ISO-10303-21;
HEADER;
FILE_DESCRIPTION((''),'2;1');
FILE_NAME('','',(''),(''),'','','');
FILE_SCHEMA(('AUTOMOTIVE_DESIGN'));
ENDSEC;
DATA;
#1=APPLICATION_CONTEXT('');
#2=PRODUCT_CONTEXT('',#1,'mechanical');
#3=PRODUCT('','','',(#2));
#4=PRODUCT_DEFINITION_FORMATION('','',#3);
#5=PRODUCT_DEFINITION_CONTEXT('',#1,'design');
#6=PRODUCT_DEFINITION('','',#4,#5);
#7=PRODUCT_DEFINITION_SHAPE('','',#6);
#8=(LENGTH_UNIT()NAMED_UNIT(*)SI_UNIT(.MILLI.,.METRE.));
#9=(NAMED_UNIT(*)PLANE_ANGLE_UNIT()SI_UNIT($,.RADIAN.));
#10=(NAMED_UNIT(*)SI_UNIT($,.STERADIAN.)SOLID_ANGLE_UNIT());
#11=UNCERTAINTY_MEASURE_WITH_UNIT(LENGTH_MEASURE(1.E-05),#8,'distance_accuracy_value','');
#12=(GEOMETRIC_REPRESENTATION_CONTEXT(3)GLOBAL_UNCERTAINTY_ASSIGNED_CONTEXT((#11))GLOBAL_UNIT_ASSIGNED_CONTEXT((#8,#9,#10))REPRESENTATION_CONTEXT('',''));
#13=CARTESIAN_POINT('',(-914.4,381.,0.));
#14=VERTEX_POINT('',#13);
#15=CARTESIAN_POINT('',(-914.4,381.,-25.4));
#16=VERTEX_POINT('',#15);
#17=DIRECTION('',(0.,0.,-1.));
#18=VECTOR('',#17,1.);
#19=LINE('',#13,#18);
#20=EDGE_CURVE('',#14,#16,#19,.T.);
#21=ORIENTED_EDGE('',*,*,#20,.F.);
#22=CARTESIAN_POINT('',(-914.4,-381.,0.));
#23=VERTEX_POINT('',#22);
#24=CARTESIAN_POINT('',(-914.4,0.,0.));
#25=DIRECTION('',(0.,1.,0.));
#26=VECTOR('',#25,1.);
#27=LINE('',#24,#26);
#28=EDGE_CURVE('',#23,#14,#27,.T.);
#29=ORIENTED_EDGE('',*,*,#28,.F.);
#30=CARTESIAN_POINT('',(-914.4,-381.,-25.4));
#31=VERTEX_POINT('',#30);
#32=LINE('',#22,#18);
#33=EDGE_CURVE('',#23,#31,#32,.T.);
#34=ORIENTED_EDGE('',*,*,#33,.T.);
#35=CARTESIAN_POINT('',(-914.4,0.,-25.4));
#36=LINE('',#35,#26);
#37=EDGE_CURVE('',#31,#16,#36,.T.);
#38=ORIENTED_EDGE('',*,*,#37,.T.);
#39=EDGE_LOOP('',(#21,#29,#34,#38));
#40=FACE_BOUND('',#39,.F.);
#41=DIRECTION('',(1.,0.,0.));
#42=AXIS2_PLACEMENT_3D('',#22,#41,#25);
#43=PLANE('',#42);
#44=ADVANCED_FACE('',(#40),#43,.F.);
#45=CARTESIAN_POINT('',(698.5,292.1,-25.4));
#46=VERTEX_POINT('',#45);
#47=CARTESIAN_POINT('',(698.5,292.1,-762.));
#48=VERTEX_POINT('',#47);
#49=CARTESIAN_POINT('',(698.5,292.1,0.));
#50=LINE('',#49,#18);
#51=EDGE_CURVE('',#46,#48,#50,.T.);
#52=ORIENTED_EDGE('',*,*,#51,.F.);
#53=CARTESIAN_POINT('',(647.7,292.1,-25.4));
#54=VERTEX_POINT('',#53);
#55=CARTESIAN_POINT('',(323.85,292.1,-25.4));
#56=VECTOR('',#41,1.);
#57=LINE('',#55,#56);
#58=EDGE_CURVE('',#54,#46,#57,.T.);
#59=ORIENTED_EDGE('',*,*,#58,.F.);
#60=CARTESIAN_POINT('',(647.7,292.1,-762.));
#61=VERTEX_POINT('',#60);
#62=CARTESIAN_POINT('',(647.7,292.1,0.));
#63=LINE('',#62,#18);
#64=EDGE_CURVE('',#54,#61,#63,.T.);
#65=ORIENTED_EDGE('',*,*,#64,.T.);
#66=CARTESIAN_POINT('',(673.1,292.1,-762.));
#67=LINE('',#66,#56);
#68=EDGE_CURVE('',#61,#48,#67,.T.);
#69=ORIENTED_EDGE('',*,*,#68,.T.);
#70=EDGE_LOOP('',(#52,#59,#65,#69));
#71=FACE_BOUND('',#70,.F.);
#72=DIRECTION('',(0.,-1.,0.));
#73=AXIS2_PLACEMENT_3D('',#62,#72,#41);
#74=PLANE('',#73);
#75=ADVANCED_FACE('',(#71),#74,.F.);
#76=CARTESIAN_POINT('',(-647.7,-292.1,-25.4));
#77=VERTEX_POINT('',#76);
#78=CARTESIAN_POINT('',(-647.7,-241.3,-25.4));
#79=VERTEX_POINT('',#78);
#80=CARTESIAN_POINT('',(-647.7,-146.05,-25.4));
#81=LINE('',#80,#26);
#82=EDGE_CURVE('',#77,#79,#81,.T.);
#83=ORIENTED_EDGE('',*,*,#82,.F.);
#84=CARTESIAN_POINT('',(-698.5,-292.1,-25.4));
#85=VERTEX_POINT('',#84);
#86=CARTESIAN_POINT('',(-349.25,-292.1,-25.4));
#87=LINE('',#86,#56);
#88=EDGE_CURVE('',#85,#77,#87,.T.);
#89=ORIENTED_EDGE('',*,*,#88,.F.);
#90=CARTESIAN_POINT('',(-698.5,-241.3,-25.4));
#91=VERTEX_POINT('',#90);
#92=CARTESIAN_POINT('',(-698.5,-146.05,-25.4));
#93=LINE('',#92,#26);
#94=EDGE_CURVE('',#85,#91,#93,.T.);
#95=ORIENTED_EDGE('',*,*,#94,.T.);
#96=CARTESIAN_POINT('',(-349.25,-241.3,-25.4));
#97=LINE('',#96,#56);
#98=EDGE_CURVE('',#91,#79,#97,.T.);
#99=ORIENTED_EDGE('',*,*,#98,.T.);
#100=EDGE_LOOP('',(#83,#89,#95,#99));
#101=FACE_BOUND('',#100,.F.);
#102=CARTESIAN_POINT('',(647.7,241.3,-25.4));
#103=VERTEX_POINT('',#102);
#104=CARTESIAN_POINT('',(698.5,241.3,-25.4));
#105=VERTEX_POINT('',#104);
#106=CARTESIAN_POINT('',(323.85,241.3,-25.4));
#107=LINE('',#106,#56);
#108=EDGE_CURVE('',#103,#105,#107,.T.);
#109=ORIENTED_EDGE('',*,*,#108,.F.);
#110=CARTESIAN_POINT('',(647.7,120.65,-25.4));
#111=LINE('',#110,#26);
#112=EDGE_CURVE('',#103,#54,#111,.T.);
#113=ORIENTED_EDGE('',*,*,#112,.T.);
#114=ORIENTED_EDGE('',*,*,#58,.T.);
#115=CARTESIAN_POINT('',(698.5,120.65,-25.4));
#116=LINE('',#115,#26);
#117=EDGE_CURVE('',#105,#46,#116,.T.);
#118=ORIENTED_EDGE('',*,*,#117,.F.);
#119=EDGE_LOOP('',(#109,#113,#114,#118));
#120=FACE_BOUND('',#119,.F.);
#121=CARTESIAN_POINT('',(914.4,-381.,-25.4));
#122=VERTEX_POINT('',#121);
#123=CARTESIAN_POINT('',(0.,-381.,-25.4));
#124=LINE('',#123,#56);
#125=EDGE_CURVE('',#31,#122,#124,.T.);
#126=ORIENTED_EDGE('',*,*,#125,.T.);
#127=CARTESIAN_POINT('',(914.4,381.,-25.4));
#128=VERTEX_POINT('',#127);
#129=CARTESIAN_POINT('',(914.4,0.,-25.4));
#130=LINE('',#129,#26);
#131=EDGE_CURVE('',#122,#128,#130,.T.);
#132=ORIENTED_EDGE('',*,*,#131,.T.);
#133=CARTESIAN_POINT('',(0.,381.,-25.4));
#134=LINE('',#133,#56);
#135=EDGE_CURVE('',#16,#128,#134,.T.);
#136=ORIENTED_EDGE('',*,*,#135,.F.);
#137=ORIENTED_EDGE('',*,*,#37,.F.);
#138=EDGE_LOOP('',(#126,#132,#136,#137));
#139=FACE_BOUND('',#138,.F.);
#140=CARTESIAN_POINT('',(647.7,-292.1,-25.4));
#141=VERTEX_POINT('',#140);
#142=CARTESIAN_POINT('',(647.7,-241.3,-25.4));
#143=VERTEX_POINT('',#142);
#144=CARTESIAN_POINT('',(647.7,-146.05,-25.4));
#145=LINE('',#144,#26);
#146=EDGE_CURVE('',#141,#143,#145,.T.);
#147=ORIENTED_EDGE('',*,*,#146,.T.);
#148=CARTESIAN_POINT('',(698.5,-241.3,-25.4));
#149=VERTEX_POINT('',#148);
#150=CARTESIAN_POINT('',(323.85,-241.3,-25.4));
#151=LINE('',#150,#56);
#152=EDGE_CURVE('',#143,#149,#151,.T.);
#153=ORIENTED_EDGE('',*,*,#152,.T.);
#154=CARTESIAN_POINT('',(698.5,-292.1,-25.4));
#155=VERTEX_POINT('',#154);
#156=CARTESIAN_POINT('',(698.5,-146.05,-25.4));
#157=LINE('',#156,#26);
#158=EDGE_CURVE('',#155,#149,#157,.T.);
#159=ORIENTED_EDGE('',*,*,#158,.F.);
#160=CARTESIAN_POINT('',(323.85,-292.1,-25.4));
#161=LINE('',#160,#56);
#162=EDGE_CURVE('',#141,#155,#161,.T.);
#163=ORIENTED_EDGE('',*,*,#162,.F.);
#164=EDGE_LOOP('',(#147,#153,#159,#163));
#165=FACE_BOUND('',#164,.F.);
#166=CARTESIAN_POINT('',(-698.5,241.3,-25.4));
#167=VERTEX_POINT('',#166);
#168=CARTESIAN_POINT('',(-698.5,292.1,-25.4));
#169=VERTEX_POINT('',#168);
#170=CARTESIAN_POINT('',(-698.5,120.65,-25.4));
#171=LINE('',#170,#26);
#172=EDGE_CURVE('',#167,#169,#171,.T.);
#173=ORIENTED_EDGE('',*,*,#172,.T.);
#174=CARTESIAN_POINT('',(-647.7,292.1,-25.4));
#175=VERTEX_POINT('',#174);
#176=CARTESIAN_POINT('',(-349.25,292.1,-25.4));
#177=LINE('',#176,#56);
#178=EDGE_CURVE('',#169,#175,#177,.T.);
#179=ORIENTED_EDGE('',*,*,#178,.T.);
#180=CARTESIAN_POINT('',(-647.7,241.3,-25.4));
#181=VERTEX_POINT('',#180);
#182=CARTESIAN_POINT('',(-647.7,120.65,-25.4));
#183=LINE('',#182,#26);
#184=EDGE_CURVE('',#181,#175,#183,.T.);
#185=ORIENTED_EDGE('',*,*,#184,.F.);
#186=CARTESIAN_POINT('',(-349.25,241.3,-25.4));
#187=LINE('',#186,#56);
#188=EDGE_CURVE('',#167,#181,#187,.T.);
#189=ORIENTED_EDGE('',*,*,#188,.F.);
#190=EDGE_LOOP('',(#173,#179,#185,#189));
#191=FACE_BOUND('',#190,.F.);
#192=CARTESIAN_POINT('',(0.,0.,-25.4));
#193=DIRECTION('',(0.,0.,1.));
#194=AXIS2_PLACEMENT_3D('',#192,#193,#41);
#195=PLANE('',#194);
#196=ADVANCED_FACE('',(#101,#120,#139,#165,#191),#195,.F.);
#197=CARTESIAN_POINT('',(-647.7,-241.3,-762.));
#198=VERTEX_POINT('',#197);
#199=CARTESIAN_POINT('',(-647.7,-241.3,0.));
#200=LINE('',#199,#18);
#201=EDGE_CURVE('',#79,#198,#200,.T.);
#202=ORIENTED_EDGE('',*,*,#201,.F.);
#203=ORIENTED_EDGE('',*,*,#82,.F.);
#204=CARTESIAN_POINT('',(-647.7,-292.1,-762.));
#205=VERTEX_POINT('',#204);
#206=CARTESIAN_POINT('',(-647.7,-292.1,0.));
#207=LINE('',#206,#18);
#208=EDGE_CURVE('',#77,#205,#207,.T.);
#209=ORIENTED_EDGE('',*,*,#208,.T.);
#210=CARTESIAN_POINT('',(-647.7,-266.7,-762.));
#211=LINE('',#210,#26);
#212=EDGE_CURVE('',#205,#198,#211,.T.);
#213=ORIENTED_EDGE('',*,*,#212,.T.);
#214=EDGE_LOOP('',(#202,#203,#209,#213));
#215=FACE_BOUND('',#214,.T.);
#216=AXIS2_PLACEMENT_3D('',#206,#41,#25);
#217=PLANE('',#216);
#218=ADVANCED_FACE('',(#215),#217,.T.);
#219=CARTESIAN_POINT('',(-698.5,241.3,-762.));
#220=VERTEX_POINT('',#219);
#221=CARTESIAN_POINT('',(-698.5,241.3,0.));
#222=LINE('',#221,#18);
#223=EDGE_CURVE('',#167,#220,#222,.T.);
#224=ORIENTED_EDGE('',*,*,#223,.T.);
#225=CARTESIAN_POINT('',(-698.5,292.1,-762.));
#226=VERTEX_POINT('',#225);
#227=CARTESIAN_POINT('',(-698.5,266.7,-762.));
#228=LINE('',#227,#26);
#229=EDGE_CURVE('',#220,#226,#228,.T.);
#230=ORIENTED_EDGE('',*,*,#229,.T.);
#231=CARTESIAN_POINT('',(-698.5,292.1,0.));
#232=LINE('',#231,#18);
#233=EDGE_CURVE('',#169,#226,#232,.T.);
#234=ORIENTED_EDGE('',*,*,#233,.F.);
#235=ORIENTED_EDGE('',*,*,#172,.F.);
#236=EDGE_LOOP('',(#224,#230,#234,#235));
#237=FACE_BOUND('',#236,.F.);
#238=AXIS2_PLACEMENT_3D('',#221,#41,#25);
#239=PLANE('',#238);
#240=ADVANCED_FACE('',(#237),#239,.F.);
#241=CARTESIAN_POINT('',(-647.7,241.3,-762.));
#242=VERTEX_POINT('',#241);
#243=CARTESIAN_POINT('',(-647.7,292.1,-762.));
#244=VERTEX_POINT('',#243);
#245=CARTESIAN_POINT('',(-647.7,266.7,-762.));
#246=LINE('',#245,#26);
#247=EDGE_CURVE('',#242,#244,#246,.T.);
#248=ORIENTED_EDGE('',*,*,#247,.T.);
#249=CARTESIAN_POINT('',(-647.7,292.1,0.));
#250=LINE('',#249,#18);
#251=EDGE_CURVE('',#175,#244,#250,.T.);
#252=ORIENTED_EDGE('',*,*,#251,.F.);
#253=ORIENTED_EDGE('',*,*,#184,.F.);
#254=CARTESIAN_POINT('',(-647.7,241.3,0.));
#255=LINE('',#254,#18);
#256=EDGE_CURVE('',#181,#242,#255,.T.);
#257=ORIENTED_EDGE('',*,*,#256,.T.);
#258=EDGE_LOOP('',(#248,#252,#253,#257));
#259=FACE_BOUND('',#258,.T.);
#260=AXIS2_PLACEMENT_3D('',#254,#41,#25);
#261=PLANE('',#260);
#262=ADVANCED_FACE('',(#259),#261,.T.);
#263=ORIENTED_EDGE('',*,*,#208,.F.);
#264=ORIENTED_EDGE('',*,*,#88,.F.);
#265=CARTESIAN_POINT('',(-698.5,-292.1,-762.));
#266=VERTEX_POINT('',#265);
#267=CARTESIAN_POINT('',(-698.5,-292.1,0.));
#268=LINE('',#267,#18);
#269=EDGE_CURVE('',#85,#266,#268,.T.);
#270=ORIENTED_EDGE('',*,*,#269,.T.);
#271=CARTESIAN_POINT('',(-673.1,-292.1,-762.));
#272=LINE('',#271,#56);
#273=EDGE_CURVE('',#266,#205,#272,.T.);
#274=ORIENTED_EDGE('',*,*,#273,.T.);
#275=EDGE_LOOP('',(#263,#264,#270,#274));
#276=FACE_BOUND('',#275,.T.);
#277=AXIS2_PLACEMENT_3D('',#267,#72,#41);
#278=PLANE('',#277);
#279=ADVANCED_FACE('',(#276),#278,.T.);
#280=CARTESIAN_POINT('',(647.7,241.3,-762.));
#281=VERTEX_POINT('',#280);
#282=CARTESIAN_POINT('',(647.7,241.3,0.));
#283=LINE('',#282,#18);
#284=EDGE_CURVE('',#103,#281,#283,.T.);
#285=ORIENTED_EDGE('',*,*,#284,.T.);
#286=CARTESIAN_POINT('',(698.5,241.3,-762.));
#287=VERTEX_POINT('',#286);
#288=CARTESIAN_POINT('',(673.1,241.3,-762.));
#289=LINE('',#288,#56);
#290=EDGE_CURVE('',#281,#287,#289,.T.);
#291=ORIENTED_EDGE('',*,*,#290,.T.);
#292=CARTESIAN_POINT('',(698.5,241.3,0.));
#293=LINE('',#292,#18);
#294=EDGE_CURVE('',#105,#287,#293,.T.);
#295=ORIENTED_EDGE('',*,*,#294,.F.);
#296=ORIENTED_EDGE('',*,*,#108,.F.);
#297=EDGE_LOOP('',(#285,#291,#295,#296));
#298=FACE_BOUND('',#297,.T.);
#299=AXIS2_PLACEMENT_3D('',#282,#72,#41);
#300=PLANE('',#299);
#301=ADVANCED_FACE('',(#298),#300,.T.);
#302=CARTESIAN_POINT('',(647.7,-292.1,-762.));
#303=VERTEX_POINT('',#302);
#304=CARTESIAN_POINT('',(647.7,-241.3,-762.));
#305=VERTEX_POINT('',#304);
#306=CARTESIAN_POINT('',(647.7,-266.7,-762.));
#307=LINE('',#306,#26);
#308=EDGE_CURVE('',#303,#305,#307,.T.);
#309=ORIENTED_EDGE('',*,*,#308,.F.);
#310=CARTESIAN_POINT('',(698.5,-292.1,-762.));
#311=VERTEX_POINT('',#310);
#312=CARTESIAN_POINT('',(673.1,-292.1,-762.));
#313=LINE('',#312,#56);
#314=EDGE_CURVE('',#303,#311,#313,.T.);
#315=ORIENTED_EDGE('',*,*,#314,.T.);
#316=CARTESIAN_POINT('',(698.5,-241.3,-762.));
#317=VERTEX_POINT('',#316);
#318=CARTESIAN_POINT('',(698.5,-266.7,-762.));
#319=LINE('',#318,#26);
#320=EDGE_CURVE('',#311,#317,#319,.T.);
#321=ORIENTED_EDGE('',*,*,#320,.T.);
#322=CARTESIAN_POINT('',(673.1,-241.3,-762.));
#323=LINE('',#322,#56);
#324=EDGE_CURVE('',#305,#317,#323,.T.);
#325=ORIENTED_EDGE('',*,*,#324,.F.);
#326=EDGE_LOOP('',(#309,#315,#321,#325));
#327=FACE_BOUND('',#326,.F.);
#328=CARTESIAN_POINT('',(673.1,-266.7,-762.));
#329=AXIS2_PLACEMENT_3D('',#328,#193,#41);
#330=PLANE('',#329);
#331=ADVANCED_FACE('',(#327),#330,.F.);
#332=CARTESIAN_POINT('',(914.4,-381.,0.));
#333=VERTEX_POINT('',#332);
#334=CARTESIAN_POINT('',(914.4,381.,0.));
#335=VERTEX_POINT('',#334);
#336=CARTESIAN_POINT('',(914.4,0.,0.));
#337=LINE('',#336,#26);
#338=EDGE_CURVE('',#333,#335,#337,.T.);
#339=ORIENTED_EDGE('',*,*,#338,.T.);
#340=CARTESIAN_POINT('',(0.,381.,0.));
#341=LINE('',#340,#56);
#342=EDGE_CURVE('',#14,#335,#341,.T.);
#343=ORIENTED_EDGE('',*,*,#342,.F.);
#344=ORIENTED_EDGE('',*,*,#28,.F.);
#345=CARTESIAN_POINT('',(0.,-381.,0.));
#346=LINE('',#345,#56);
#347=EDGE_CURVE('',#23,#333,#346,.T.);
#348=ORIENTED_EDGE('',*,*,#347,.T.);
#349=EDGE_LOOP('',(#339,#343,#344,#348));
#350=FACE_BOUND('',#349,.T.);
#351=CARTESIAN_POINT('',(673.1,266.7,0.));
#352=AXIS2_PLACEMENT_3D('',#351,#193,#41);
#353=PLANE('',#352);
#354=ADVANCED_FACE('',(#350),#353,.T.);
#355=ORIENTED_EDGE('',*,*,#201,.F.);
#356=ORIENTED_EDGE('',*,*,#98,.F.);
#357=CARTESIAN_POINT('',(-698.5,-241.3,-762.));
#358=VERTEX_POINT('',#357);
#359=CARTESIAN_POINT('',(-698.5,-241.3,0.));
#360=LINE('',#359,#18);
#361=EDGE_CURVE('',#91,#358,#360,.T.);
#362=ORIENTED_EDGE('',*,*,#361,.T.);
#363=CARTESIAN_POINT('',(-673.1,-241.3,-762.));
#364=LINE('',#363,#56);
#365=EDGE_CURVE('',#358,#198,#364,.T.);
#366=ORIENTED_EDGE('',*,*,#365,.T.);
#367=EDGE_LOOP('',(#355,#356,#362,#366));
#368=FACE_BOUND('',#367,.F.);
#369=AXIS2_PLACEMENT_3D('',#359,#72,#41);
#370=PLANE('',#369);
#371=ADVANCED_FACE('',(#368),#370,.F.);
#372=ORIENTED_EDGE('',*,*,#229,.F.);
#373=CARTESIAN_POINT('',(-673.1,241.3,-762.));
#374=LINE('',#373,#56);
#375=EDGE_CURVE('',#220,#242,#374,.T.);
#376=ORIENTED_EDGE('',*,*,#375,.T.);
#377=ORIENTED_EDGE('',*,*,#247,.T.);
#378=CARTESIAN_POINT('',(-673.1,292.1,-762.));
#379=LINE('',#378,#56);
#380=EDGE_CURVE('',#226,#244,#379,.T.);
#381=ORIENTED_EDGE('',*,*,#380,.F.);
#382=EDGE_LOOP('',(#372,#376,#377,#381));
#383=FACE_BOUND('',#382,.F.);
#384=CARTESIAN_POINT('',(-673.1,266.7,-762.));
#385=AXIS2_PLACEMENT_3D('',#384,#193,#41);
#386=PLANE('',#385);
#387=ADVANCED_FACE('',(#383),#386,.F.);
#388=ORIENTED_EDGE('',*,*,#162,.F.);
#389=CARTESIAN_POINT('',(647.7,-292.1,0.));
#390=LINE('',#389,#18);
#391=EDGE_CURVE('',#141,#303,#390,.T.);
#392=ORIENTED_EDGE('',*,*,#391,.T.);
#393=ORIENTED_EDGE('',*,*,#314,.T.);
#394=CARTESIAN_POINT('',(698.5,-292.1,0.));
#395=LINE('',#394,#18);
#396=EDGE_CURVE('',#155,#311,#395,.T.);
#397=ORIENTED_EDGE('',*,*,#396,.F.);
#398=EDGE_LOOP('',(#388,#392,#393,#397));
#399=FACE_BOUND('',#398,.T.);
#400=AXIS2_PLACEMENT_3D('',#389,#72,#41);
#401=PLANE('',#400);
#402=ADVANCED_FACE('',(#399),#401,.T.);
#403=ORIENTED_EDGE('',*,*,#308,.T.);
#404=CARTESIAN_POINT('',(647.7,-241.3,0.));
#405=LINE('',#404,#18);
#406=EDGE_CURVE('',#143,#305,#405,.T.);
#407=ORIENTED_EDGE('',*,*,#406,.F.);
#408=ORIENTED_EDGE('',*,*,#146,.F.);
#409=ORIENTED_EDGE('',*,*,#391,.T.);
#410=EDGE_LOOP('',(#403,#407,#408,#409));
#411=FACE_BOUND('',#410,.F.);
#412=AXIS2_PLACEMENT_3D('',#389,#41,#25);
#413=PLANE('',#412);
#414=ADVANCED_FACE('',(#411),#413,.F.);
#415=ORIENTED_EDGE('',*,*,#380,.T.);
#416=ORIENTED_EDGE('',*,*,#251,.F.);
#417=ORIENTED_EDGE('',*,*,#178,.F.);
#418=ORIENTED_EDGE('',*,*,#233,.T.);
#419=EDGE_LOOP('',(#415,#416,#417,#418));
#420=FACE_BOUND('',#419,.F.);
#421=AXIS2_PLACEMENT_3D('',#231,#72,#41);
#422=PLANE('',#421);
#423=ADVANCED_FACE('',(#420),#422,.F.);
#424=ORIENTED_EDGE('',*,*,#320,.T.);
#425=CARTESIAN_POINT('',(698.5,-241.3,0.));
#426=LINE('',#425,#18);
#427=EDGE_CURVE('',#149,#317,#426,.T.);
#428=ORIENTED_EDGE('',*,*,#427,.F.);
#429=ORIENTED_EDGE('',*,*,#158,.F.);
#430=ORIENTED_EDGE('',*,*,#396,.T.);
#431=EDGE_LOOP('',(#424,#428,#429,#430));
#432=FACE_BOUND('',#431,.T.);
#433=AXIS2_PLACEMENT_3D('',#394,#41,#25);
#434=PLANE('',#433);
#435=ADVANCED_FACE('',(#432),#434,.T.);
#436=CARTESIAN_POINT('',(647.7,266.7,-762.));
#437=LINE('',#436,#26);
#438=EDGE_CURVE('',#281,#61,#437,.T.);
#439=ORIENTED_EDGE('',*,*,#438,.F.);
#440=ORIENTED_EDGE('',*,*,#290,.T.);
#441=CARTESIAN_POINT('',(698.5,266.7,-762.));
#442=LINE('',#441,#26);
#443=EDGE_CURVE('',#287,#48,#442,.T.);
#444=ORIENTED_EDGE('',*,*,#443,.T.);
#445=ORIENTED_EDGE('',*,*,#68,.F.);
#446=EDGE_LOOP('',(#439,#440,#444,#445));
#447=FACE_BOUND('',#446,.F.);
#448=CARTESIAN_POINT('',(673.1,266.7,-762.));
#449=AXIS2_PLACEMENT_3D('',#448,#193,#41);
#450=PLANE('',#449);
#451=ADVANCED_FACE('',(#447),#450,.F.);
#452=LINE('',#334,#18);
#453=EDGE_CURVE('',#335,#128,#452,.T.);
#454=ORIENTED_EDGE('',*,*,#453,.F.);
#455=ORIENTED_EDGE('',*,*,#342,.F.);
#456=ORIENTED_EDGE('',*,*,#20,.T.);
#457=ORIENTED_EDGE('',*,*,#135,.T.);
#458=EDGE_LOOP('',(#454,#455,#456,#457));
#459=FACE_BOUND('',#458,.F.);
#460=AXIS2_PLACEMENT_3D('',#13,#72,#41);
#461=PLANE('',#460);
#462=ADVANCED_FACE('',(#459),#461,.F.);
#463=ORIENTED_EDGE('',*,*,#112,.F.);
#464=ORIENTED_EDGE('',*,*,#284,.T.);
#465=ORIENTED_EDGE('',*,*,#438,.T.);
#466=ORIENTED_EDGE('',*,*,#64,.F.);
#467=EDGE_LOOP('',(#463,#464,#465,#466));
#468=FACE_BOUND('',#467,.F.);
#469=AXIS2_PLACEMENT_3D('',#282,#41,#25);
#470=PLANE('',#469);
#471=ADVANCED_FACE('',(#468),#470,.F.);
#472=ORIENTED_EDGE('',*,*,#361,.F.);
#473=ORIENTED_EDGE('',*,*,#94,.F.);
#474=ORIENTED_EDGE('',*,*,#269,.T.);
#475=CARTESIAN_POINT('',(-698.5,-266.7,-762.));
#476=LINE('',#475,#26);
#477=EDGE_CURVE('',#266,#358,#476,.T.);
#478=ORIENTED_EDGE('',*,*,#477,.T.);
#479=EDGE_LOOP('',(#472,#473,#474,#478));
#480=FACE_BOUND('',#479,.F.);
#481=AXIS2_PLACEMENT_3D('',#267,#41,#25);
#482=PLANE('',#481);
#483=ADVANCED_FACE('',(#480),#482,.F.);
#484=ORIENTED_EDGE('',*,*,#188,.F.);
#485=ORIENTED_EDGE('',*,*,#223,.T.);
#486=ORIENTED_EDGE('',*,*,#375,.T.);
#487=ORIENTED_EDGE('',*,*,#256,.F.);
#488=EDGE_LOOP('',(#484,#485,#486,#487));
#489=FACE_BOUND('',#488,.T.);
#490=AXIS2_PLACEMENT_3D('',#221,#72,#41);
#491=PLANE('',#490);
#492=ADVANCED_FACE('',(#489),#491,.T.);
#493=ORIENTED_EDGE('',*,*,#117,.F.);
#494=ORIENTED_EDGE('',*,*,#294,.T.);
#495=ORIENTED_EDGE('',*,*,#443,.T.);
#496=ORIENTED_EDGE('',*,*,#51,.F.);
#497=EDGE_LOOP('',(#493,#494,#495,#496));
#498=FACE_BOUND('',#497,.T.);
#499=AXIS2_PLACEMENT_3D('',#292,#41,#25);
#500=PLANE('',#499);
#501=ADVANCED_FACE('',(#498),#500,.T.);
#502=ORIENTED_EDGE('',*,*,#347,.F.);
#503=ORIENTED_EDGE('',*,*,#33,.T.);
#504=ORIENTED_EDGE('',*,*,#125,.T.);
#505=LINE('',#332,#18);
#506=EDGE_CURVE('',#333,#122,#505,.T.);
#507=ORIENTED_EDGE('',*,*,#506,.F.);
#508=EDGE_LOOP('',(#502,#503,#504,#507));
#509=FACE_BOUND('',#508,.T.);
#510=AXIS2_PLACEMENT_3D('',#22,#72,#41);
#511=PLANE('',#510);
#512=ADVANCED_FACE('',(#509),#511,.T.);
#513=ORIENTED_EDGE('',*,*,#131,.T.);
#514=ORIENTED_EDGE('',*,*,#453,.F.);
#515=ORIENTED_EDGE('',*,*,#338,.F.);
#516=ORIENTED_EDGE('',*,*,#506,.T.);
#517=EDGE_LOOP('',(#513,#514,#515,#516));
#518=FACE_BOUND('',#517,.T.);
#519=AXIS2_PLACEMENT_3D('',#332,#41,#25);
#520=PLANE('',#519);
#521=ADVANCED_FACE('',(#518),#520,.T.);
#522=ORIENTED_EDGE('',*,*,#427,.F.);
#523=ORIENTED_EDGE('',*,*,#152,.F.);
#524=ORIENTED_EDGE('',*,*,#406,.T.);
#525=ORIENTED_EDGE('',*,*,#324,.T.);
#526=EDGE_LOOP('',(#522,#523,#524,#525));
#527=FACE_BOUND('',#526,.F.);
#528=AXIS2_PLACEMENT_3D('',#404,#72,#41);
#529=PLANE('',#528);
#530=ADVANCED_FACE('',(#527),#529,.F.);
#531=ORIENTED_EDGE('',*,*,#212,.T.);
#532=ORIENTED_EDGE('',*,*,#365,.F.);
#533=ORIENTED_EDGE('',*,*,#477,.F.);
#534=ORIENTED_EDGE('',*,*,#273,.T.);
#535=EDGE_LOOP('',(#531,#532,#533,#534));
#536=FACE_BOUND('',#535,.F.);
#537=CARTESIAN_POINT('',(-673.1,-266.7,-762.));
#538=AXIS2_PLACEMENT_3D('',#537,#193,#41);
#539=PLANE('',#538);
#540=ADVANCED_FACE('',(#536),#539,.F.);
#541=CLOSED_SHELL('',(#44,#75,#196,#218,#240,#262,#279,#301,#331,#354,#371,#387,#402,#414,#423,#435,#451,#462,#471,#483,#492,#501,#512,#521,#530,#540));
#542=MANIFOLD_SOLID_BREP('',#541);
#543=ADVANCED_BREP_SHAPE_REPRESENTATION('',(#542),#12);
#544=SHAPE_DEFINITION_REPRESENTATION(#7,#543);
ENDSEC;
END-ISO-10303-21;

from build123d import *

# Parameters (mm, degrees)
F0_W     = 1828.8
F0_H     = 762
F1_DEPTH = 25.4
F2_W     = 50.8
F2_H     = 50.8
F3_DEPTH = 762


with BuildPart() as f1:
    # F0 (on Top) → F1 (new body)
    with BuildSketch(Plane.XY):
        Rectangle(F0_W, F0_H)
    extrude(amount=-F1_DEPTH)

    # F2 (on Top) → F3 (join)
    with BuildSketch(Plane.XY):
        with Locations((673.1, 266.7)):
            Rectangle(F2_W, F2_H)
        with Locations((673.1, -266.7)):
            Rectangle(F2_W, F2_H)
        with Locations((-673.1, -266.7)):
            Rectangle(F2_W, F2_H)
        with Locations((-673.1, 266.7)):
            Rectangle(F2_W, F2_H)
    extrude(amount=-F3_DEPTH)


solid = f1.part
